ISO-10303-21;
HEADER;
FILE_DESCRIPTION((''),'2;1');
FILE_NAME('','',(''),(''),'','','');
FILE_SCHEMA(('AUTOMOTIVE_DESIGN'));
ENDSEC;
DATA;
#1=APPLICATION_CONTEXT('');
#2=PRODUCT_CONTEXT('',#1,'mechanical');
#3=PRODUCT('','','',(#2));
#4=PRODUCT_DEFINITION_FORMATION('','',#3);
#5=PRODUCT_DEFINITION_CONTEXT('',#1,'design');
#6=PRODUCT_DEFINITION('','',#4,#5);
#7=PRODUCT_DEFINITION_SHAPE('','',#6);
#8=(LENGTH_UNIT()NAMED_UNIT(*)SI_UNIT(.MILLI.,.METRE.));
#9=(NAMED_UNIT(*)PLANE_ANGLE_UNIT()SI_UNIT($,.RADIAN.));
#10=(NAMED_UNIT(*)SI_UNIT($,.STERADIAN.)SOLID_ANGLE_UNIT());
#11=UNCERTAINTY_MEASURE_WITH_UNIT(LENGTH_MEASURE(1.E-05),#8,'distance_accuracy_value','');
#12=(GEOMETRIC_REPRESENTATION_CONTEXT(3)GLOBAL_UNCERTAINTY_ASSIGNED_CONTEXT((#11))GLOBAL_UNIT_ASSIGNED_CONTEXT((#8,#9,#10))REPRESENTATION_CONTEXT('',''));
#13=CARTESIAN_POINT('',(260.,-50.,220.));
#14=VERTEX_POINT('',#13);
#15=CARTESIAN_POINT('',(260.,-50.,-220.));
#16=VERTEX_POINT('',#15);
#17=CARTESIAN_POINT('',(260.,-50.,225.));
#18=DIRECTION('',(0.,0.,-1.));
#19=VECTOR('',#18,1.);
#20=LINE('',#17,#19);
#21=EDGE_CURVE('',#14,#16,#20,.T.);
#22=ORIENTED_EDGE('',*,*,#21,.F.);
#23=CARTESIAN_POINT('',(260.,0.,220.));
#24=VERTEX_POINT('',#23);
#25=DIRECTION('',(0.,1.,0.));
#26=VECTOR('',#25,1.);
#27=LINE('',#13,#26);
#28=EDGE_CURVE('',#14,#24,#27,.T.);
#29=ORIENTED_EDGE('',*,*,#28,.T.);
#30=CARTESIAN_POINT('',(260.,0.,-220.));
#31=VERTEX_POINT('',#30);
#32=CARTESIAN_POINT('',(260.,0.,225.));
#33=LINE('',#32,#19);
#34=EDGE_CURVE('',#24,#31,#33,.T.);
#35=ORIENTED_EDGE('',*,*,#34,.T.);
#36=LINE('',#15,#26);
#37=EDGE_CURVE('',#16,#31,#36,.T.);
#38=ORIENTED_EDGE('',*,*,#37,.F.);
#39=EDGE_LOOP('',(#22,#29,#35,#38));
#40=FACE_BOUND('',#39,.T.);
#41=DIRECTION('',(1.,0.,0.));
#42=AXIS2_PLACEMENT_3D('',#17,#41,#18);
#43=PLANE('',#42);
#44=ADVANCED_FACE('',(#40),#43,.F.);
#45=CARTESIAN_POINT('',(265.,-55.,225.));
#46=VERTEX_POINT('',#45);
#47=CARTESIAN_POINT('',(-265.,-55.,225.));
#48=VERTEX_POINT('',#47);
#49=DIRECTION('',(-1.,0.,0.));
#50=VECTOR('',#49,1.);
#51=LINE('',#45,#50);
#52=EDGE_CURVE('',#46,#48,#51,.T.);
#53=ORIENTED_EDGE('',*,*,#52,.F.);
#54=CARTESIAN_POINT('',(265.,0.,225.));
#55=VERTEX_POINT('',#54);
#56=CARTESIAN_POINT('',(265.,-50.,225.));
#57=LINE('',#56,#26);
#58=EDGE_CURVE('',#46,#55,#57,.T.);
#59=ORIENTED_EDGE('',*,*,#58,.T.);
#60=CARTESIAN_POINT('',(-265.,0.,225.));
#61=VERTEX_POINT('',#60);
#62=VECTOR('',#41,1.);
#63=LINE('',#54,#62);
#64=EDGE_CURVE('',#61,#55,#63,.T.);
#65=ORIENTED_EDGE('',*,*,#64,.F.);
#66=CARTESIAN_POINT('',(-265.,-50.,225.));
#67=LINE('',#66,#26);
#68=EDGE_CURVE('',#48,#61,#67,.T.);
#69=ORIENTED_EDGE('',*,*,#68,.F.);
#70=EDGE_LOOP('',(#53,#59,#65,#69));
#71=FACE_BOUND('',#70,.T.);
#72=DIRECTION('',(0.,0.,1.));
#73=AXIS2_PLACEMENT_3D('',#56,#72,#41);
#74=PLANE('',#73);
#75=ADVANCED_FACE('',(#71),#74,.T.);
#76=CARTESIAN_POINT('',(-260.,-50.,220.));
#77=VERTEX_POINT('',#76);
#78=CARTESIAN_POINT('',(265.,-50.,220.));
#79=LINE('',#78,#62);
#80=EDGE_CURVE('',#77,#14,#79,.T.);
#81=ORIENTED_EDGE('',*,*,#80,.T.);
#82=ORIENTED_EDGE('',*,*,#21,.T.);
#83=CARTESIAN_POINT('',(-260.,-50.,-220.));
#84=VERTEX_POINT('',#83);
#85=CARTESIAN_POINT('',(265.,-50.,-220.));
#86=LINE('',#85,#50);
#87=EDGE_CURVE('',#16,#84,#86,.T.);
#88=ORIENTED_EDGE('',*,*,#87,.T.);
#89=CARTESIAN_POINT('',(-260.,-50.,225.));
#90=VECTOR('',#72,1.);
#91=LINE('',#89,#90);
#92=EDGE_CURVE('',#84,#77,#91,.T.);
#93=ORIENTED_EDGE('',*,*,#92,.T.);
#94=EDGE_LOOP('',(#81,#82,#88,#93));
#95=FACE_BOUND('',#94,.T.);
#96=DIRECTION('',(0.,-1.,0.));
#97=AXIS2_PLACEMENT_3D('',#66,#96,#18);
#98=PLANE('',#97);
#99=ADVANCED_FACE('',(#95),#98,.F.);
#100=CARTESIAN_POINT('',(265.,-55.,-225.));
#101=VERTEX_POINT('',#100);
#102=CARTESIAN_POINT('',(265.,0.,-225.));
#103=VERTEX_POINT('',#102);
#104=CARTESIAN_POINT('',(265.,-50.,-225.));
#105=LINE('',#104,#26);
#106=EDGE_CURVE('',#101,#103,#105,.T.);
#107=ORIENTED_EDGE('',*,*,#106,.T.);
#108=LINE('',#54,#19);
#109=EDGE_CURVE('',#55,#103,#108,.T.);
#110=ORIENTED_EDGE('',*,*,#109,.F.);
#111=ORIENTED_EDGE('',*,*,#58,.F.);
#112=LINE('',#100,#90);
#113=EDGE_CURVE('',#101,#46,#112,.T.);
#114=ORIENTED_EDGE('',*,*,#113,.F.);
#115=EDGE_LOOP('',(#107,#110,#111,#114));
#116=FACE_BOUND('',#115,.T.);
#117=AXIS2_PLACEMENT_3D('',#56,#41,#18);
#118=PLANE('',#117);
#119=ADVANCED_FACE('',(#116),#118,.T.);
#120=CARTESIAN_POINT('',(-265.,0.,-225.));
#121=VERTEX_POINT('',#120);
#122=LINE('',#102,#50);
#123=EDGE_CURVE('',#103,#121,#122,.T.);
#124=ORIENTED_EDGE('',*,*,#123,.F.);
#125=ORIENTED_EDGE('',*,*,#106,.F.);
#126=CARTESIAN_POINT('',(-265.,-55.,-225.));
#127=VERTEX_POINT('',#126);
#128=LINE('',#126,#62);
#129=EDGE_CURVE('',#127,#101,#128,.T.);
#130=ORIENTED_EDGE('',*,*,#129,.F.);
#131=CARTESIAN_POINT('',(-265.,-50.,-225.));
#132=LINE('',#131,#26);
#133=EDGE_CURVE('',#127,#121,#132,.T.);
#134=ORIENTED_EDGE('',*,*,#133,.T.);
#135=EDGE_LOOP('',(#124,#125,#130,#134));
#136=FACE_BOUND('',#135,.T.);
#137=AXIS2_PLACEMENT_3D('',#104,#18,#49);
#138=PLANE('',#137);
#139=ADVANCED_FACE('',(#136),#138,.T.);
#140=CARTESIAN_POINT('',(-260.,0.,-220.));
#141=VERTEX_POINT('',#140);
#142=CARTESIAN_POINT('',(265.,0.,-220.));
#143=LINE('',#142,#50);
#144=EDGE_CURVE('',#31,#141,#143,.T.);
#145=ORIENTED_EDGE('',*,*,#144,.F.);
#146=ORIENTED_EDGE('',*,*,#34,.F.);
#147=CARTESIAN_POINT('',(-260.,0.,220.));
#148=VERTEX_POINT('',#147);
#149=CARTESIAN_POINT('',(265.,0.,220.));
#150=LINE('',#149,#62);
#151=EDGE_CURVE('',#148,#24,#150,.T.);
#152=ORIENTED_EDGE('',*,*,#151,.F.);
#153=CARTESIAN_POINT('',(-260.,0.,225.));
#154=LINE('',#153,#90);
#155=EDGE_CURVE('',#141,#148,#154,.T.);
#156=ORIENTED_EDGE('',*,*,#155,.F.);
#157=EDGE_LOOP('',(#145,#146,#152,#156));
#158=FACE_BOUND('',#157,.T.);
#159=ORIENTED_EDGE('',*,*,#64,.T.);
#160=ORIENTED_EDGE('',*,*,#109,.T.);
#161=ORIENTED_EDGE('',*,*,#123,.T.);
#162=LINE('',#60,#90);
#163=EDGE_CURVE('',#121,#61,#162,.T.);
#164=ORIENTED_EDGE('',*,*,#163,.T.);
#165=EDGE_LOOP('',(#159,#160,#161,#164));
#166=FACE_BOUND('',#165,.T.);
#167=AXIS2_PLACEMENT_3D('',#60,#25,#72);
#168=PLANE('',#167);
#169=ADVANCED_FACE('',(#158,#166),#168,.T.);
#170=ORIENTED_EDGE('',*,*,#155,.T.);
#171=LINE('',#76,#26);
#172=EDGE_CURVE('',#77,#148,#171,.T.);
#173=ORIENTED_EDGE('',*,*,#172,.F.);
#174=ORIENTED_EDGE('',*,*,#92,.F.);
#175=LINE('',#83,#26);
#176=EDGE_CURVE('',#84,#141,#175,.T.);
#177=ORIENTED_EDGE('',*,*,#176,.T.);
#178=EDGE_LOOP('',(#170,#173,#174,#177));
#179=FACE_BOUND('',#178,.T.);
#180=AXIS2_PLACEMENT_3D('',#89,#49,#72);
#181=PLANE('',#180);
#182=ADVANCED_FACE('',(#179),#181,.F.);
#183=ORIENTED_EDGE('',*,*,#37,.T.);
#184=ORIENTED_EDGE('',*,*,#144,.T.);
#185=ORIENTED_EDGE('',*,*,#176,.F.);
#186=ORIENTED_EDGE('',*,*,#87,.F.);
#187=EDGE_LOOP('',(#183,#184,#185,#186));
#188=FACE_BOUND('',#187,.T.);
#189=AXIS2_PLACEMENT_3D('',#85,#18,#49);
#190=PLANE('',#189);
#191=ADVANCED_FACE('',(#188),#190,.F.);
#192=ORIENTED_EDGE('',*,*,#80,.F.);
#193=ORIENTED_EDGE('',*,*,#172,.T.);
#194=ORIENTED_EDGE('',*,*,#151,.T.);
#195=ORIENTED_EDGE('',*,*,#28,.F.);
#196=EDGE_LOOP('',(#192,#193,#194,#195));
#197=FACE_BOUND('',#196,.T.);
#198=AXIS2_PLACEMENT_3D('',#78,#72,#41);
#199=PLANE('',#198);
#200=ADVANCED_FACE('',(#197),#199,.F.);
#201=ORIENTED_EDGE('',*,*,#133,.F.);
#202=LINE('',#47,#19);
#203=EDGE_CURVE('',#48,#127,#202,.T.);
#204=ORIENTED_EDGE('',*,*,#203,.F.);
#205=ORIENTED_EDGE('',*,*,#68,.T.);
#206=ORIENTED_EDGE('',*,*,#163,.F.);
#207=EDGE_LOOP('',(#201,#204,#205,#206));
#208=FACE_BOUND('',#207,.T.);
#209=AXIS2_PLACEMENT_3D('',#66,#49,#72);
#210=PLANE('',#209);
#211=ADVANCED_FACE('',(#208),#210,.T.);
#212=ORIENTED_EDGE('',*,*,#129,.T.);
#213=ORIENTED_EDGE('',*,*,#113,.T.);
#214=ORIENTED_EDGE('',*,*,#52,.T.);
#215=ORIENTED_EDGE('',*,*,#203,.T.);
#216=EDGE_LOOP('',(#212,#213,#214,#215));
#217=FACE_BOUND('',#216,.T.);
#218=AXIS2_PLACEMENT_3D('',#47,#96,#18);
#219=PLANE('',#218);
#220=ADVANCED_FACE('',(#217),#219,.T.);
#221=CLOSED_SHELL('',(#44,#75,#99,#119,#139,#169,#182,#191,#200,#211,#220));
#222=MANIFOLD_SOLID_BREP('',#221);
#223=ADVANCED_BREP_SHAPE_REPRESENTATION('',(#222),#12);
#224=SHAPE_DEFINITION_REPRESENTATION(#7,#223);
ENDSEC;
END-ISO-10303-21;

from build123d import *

# Parameters (mm, degrees)
CROQUIS1_W            = 530
CROQUIS1_H            = 450
CROQUIS1_W_2          = 520
CROQUIS1_H_2          = 440
EXTRUIR_L_MINA1_DEPTH = 50
CROQUIS2_W            = 530
CROQUIS2_H            = 450
EXTRUIR1_DEPTH        = 5


with BuildPart() as part:
    # Croquis1 → Extruir-Lámina1 (new body)
    with BuildSketch(Plane(origin=(0, 0, 0), x_dir=(1, 0, 0), z_dir=(0, 1, 0))):
        Rectangle(CROQUIS1_W, CROQUIS1_H)
        Rectangle(CROQUIS1_W_2, CROQUIS1_H_2, mode=Mode.SUBTRACT)
    extrude(amount=-EXTRUIR_L_MINA1_DEPTH)

    # Croquis2 → Extruir1 (add)
    with BuildSketch(Plane.XZ.offset(50)):
        Rectangle(CROQUIS2_W, CROQUIS2_H)
    extrude(amount=EXTRUIR1_DEPTH)


solid = part.part
